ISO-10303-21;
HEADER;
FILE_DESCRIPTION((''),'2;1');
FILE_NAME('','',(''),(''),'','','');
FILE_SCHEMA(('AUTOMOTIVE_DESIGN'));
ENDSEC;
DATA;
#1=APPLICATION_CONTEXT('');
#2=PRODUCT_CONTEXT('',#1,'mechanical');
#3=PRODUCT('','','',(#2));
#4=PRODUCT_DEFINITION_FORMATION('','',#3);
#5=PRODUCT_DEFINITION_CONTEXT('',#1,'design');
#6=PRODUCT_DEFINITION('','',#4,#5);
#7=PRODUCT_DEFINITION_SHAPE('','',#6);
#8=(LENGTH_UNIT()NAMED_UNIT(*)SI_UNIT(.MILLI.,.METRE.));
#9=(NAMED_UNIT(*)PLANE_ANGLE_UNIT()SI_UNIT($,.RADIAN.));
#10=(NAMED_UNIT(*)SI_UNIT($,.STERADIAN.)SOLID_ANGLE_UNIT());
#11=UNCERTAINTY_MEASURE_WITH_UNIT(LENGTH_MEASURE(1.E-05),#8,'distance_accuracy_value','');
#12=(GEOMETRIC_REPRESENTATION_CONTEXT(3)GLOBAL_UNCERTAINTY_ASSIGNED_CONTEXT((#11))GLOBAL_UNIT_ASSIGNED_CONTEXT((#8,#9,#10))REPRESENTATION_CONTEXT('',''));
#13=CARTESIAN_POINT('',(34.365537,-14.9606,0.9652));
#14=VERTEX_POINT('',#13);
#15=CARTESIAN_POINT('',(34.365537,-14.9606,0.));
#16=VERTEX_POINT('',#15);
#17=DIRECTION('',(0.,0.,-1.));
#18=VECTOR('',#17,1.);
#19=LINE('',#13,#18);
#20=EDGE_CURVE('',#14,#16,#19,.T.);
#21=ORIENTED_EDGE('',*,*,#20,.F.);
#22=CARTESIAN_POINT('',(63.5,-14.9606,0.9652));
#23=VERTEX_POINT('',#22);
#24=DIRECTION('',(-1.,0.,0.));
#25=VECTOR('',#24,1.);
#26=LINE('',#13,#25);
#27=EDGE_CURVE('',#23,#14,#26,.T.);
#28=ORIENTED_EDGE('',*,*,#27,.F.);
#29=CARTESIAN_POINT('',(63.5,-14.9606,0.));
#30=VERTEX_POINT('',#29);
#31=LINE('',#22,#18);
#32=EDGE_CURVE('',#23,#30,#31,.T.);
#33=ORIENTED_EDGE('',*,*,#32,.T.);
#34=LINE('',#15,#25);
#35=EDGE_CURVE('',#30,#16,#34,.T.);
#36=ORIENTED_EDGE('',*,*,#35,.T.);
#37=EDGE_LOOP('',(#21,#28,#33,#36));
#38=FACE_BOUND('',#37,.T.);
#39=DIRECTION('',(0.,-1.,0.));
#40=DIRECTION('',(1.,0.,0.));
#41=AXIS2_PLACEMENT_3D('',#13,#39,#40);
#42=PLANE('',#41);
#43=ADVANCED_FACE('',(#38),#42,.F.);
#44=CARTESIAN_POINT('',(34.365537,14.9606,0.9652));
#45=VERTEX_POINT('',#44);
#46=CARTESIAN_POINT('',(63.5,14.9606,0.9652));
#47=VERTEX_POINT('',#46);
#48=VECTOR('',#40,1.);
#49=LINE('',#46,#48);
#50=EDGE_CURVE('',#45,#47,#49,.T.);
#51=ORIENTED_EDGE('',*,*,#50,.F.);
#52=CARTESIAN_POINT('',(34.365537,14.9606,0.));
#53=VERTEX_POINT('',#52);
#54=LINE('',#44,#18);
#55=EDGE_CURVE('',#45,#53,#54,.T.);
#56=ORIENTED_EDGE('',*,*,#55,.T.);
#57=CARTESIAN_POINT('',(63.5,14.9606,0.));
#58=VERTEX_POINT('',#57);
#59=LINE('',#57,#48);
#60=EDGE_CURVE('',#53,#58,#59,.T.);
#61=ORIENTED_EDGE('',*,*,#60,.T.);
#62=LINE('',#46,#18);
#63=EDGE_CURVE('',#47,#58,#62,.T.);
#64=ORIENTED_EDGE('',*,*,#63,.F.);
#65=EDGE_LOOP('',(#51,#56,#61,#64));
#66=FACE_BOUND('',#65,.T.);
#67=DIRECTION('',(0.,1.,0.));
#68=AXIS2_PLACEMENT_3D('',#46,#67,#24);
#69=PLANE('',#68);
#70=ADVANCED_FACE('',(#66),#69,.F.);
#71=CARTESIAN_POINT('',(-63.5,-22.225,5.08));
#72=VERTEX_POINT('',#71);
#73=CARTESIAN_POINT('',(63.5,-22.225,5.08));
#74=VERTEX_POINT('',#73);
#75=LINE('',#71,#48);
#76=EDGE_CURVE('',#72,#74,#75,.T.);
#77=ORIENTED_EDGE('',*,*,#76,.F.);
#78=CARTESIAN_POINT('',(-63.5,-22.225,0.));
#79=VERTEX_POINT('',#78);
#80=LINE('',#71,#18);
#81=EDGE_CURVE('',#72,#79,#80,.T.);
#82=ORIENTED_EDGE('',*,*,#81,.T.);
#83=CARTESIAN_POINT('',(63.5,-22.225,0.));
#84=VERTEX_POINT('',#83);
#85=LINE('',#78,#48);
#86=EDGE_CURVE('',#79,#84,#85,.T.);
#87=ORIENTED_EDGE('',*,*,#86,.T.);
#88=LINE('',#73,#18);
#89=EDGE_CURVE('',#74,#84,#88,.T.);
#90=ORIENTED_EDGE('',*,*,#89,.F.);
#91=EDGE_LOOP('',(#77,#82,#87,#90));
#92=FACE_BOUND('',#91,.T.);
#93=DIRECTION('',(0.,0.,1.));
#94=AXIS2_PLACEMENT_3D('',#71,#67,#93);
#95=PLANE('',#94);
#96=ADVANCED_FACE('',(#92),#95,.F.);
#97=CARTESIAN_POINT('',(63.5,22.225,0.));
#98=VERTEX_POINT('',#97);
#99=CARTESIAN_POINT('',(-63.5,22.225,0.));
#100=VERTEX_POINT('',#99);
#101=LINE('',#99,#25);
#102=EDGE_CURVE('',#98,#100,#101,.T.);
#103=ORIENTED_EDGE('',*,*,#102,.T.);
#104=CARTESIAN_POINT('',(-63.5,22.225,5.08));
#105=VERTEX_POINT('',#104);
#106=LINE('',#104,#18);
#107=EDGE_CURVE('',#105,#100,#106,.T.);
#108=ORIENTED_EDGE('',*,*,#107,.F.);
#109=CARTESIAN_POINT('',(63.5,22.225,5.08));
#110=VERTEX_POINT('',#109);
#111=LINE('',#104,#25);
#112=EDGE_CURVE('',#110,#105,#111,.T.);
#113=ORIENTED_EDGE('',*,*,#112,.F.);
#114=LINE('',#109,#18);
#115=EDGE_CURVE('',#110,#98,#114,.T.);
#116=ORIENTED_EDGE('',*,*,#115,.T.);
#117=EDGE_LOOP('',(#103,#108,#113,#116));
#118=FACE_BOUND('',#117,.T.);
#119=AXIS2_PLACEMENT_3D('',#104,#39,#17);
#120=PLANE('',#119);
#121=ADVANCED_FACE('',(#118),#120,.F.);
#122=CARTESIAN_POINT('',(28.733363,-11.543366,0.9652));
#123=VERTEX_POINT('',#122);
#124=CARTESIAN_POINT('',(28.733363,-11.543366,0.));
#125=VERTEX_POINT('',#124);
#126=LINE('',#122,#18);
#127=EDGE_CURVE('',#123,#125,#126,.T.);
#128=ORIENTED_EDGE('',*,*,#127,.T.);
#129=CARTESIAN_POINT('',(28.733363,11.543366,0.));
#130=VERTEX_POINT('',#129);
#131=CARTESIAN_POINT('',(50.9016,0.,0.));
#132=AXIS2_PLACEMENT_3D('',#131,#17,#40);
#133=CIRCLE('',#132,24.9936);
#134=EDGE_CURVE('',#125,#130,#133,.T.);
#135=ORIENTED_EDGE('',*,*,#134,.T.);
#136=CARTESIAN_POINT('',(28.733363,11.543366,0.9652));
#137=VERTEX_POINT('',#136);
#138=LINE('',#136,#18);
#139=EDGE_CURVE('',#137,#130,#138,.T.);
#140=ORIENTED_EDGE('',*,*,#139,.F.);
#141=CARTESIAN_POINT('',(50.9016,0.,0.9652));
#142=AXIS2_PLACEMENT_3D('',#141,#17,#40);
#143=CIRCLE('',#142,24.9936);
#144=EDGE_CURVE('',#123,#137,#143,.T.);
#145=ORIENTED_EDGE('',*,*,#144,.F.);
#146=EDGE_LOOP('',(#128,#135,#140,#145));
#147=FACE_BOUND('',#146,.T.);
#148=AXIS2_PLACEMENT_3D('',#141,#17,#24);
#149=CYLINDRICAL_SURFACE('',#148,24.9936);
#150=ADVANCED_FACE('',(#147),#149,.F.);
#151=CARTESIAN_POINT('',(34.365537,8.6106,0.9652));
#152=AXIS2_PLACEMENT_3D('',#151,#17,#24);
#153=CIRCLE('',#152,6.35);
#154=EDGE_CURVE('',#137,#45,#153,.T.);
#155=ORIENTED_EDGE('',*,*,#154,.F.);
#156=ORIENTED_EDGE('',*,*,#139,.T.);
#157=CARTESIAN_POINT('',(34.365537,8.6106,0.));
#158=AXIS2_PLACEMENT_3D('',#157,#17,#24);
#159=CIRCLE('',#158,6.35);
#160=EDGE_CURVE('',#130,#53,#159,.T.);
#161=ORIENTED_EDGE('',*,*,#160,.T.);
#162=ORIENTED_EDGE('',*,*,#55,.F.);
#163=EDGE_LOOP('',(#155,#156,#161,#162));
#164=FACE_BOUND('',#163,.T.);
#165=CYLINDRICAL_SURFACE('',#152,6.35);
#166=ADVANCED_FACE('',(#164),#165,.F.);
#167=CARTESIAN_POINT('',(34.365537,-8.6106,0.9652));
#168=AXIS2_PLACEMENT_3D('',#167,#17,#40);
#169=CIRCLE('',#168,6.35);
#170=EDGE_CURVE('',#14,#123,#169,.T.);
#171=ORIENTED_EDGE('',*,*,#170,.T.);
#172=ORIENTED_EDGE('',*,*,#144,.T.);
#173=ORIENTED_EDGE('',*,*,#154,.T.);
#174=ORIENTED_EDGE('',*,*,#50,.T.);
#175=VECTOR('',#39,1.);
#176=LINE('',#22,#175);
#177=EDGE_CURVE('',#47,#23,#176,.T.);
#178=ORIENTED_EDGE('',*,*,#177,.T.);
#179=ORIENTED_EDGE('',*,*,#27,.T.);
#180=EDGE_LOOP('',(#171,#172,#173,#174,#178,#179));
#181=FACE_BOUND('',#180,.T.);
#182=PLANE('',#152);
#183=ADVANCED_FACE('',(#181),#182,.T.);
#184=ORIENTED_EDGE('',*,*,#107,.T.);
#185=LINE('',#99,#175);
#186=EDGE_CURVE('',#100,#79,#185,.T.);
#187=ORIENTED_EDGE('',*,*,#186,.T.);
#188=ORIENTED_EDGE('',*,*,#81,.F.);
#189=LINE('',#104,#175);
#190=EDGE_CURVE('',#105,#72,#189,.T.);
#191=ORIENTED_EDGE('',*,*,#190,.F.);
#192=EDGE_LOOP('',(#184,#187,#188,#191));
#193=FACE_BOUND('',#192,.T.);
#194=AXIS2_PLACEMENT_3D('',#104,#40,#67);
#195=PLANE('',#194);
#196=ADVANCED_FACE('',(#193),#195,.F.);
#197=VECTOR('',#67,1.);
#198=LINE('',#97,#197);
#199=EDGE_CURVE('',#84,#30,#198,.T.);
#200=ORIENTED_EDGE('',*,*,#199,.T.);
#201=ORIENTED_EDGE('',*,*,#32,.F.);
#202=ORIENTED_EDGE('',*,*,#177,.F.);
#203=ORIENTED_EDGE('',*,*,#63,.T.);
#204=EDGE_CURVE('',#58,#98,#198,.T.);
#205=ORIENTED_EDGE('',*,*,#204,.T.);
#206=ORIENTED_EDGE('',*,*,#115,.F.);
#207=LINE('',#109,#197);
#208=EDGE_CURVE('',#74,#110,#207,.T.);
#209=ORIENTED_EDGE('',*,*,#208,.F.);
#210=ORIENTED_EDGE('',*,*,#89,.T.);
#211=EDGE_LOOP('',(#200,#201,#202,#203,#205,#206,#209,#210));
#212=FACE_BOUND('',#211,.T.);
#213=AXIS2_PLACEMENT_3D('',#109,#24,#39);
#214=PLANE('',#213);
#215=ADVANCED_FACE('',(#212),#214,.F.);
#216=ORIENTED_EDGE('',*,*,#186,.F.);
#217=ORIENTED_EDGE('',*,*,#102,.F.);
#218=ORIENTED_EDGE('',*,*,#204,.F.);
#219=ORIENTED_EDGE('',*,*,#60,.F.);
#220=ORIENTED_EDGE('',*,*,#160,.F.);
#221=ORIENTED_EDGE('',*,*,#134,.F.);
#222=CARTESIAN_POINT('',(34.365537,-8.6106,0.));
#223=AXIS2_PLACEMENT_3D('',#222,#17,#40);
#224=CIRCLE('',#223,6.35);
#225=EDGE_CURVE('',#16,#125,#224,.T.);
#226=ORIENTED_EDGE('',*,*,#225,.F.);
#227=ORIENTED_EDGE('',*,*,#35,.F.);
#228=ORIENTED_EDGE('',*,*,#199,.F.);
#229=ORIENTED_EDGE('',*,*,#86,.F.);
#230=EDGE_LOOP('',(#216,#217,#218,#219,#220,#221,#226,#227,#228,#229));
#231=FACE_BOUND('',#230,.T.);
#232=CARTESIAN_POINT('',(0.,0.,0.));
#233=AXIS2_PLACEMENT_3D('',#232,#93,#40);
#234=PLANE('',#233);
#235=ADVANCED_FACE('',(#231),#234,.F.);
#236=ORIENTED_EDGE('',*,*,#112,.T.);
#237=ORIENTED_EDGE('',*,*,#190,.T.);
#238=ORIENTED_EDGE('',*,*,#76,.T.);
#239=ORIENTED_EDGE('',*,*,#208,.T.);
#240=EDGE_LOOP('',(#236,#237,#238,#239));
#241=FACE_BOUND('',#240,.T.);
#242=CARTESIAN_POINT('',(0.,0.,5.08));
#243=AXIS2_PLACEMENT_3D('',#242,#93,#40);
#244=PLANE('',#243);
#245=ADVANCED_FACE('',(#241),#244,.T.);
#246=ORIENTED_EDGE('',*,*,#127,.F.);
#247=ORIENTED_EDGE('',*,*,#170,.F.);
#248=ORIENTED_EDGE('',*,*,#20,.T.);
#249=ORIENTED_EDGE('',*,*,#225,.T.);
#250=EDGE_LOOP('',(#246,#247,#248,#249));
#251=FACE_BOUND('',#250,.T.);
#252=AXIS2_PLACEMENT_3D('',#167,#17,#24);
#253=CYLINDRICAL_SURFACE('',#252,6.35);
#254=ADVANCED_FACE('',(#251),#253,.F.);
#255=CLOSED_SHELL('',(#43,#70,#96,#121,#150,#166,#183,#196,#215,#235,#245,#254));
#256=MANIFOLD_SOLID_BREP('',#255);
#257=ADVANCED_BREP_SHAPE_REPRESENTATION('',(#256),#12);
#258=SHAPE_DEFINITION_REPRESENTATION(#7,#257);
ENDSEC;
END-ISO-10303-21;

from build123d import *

# Parameters (mm, degrees)
SKETCH1_W           = 127
SKETCH1_H           = 44.45
BOSS_EXTRUDE1_DEPTH = 5.08
CUT_EXTRUDE1_DEPTH  = 0.9652


with BuildPart() as part:
    # Sketch1 → Boss-Extrude1 (new body)
    with BuildSketch(Plane.XY):
        Rectangle(SKETCH1_W, SKETCH1_H)
    extrude(amount=BOSS_EXTRUDE1_DEPTH)

    # Sketch3 → Cut-Extrude1 (cut)
    with BuildSketch(Plane(origin=(0, 0, 0), x_dir=(-1, 0, 0), z_dir=(0, 0, -1))):
        with BuildLine():
            Line((-63.5, 14.9606), (-34.365536726, 14.9606))
            ThreePointArc((-34.365536726, 14.9606), (-31.071645561, 14.039483955), (-28.733362586, 11.543365668))
            ThreePointArc((-28.733362586, 11.543365668), (-25.908, 0), (-28.733362586, -11.543365668))
            ThreePointArc((-28.733362586, -11.543365668), (-31.071645561, -14.039483955), (-34.365536726, -14.9606))
            Line((-34.365536726, -14.9606), (-63.5, -14.9606))
            Line((-63.5, -14.9606), (-63.5, 14.9606))
        make_face()
    extrude(amount=-CUT_EXTRUDE1_DEPTH, mode=Mode.SUBTRACT)


solid = part.part
